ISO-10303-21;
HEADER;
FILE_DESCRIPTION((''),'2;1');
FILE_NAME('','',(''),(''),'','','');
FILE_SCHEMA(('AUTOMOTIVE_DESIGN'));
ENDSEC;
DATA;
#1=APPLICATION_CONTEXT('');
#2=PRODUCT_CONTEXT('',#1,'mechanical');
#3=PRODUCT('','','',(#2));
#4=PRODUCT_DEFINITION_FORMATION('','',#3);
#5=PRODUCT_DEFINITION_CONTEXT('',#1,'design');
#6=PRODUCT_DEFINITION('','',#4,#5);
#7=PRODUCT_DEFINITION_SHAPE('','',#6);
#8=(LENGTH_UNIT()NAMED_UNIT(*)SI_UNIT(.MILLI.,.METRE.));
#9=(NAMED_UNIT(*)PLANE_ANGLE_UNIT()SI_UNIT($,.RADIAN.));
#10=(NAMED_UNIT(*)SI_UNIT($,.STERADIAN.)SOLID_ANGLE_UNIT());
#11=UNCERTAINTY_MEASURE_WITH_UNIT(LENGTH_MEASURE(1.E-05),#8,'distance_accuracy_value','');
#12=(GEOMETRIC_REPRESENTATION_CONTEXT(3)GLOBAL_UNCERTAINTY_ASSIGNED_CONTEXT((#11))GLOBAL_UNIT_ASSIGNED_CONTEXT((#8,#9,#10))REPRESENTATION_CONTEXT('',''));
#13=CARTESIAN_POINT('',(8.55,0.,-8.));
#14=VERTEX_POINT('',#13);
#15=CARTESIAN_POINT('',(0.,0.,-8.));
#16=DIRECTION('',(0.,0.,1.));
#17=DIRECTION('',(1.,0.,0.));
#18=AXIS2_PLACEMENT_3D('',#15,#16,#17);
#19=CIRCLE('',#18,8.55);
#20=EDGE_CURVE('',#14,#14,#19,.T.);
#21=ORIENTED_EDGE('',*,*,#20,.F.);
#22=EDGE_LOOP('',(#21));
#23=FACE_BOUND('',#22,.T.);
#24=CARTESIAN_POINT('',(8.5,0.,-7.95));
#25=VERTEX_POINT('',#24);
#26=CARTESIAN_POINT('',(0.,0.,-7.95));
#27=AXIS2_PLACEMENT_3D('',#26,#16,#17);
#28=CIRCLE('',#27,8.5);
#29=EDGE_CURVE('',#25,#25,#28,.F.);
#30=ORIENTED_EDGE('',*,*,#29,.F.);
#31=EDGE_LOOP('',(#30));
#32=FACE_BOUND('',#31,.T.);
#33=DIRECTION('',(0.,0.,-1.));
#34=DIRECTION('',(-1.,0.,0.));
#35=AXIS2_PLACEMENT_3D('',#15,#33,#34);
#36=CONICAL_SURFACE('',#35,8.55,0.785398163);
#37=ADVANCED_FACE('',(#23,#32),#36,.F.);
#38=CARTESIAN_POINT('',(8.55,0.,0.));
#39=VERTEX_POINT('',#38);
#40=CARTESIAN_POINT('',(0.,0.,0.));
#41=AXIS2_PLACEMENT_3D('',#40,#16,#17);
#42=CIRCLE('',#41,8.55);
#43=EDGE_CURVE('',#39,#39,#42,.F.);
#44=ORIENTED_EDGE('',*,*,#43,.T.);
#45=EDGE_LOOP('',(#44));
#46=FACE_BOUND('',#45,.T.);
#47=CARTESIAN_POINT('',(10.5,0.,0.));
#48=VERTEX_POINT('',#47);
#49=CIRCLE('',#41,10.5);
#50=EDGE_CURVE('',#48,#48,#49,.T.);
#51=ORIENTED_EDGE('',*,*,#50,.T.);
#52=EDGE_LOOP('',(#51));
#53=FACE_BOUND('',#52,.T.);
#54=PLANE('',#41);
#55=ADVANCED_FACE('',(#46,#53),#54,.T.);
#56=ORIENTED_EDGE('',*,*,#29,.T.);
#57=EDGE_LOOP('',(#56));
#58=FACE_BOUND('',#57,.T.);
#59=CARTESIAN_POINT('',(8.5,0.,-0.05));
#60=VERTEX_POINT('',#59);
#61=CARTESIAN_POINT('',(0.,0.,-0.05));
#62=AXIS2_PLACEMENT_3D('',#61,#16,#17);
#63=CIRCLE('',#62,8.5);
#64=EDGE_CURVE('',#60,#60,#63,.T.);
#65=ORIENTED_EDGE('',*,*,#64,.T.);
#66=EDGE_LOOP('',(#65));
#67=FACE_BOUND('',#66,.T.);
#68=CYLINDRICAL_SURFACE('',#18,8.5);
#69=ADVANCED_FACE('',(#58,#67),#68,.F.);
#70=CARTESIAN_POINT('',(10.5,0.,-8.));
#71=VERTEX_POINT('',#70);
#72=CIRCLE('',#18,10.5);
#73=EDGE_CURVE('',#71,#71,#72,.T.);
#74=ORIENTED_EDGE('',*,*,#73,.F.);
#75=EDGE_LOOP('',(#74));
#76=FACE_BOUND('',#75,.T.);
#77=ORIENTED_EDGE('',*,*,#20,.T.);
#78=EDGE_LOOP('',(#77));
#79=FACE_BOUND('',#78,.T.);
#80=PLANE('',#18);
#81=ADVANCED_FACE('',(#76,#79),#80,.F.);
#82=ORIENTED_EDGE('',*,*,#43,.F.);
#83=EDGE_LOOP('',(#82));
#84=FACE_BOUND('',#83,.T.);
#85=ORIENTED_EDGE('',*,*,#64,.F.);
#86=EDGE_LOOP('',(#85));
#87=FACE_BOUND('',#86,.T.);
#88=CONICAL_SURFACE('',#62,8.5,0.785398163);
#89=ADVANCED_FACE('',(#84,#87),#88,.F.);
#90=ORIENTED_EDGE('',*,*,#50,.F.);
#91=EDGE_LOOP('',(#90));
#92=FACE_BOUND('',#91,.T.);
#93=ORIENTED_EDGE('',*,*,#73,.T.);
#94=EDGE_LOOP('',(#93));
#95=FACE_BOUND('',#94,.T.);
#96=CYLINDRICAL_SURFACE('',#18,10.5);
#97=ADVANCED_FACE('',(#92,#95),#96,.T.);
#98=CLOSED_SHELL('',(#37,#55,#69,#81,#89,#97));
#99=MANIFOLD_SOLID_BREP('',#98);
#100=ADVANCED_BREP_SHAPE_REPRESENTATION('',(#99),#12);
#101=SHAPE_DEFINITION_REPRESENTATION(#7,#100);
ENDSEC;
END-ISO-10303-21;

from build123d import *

# Parameters (mm, degrees)
SKETCH2_R           = 10.5
BOSS_EXTRUDE1_DEPTH = 8
SKETCH3_R           = 8.5
CUT_EXTRUDE1_DEPTH  = 9
CHAMFER1_SIZE       = 0.05
CHAMFER2_SIZE       = 0.05


with BuildPart() as part:
    # Sketch2 → Boss-Extrude1 (new body)
    with BuildSketch(Plane.XY):
        Circle(SKETCH2_R)
    extrude(amount=-BOSS_EXTRUDE1_DEPTH)

    # Sketch3 → Cut-Extrude1 (cut, through all)
    with BuildSketch(Plane.XY):
        Circle(SKETCH3_R)
    extrude(amount=-CUT_EXTRUDE1_DEPTH, mode=Mode.SUBTRACT)

    # Chamfer1
    chamfer1_edges = [part.edges().sort_by_distance(p)[0] for p in [
        (-8.5, 0, 0),
    ]]
    chamfer(chamfer1_edges, length=CHAMFER1_SIZE)

    # Chamfer2
    chamfer2_edges = [part.edges().sort_by_distance(p)[0] for p in [
        (-8.5, 0, -8),
    ]]
    chamfer(chamfer2_edges, length=CHAMFER2_SIZE)


solid = part.part
